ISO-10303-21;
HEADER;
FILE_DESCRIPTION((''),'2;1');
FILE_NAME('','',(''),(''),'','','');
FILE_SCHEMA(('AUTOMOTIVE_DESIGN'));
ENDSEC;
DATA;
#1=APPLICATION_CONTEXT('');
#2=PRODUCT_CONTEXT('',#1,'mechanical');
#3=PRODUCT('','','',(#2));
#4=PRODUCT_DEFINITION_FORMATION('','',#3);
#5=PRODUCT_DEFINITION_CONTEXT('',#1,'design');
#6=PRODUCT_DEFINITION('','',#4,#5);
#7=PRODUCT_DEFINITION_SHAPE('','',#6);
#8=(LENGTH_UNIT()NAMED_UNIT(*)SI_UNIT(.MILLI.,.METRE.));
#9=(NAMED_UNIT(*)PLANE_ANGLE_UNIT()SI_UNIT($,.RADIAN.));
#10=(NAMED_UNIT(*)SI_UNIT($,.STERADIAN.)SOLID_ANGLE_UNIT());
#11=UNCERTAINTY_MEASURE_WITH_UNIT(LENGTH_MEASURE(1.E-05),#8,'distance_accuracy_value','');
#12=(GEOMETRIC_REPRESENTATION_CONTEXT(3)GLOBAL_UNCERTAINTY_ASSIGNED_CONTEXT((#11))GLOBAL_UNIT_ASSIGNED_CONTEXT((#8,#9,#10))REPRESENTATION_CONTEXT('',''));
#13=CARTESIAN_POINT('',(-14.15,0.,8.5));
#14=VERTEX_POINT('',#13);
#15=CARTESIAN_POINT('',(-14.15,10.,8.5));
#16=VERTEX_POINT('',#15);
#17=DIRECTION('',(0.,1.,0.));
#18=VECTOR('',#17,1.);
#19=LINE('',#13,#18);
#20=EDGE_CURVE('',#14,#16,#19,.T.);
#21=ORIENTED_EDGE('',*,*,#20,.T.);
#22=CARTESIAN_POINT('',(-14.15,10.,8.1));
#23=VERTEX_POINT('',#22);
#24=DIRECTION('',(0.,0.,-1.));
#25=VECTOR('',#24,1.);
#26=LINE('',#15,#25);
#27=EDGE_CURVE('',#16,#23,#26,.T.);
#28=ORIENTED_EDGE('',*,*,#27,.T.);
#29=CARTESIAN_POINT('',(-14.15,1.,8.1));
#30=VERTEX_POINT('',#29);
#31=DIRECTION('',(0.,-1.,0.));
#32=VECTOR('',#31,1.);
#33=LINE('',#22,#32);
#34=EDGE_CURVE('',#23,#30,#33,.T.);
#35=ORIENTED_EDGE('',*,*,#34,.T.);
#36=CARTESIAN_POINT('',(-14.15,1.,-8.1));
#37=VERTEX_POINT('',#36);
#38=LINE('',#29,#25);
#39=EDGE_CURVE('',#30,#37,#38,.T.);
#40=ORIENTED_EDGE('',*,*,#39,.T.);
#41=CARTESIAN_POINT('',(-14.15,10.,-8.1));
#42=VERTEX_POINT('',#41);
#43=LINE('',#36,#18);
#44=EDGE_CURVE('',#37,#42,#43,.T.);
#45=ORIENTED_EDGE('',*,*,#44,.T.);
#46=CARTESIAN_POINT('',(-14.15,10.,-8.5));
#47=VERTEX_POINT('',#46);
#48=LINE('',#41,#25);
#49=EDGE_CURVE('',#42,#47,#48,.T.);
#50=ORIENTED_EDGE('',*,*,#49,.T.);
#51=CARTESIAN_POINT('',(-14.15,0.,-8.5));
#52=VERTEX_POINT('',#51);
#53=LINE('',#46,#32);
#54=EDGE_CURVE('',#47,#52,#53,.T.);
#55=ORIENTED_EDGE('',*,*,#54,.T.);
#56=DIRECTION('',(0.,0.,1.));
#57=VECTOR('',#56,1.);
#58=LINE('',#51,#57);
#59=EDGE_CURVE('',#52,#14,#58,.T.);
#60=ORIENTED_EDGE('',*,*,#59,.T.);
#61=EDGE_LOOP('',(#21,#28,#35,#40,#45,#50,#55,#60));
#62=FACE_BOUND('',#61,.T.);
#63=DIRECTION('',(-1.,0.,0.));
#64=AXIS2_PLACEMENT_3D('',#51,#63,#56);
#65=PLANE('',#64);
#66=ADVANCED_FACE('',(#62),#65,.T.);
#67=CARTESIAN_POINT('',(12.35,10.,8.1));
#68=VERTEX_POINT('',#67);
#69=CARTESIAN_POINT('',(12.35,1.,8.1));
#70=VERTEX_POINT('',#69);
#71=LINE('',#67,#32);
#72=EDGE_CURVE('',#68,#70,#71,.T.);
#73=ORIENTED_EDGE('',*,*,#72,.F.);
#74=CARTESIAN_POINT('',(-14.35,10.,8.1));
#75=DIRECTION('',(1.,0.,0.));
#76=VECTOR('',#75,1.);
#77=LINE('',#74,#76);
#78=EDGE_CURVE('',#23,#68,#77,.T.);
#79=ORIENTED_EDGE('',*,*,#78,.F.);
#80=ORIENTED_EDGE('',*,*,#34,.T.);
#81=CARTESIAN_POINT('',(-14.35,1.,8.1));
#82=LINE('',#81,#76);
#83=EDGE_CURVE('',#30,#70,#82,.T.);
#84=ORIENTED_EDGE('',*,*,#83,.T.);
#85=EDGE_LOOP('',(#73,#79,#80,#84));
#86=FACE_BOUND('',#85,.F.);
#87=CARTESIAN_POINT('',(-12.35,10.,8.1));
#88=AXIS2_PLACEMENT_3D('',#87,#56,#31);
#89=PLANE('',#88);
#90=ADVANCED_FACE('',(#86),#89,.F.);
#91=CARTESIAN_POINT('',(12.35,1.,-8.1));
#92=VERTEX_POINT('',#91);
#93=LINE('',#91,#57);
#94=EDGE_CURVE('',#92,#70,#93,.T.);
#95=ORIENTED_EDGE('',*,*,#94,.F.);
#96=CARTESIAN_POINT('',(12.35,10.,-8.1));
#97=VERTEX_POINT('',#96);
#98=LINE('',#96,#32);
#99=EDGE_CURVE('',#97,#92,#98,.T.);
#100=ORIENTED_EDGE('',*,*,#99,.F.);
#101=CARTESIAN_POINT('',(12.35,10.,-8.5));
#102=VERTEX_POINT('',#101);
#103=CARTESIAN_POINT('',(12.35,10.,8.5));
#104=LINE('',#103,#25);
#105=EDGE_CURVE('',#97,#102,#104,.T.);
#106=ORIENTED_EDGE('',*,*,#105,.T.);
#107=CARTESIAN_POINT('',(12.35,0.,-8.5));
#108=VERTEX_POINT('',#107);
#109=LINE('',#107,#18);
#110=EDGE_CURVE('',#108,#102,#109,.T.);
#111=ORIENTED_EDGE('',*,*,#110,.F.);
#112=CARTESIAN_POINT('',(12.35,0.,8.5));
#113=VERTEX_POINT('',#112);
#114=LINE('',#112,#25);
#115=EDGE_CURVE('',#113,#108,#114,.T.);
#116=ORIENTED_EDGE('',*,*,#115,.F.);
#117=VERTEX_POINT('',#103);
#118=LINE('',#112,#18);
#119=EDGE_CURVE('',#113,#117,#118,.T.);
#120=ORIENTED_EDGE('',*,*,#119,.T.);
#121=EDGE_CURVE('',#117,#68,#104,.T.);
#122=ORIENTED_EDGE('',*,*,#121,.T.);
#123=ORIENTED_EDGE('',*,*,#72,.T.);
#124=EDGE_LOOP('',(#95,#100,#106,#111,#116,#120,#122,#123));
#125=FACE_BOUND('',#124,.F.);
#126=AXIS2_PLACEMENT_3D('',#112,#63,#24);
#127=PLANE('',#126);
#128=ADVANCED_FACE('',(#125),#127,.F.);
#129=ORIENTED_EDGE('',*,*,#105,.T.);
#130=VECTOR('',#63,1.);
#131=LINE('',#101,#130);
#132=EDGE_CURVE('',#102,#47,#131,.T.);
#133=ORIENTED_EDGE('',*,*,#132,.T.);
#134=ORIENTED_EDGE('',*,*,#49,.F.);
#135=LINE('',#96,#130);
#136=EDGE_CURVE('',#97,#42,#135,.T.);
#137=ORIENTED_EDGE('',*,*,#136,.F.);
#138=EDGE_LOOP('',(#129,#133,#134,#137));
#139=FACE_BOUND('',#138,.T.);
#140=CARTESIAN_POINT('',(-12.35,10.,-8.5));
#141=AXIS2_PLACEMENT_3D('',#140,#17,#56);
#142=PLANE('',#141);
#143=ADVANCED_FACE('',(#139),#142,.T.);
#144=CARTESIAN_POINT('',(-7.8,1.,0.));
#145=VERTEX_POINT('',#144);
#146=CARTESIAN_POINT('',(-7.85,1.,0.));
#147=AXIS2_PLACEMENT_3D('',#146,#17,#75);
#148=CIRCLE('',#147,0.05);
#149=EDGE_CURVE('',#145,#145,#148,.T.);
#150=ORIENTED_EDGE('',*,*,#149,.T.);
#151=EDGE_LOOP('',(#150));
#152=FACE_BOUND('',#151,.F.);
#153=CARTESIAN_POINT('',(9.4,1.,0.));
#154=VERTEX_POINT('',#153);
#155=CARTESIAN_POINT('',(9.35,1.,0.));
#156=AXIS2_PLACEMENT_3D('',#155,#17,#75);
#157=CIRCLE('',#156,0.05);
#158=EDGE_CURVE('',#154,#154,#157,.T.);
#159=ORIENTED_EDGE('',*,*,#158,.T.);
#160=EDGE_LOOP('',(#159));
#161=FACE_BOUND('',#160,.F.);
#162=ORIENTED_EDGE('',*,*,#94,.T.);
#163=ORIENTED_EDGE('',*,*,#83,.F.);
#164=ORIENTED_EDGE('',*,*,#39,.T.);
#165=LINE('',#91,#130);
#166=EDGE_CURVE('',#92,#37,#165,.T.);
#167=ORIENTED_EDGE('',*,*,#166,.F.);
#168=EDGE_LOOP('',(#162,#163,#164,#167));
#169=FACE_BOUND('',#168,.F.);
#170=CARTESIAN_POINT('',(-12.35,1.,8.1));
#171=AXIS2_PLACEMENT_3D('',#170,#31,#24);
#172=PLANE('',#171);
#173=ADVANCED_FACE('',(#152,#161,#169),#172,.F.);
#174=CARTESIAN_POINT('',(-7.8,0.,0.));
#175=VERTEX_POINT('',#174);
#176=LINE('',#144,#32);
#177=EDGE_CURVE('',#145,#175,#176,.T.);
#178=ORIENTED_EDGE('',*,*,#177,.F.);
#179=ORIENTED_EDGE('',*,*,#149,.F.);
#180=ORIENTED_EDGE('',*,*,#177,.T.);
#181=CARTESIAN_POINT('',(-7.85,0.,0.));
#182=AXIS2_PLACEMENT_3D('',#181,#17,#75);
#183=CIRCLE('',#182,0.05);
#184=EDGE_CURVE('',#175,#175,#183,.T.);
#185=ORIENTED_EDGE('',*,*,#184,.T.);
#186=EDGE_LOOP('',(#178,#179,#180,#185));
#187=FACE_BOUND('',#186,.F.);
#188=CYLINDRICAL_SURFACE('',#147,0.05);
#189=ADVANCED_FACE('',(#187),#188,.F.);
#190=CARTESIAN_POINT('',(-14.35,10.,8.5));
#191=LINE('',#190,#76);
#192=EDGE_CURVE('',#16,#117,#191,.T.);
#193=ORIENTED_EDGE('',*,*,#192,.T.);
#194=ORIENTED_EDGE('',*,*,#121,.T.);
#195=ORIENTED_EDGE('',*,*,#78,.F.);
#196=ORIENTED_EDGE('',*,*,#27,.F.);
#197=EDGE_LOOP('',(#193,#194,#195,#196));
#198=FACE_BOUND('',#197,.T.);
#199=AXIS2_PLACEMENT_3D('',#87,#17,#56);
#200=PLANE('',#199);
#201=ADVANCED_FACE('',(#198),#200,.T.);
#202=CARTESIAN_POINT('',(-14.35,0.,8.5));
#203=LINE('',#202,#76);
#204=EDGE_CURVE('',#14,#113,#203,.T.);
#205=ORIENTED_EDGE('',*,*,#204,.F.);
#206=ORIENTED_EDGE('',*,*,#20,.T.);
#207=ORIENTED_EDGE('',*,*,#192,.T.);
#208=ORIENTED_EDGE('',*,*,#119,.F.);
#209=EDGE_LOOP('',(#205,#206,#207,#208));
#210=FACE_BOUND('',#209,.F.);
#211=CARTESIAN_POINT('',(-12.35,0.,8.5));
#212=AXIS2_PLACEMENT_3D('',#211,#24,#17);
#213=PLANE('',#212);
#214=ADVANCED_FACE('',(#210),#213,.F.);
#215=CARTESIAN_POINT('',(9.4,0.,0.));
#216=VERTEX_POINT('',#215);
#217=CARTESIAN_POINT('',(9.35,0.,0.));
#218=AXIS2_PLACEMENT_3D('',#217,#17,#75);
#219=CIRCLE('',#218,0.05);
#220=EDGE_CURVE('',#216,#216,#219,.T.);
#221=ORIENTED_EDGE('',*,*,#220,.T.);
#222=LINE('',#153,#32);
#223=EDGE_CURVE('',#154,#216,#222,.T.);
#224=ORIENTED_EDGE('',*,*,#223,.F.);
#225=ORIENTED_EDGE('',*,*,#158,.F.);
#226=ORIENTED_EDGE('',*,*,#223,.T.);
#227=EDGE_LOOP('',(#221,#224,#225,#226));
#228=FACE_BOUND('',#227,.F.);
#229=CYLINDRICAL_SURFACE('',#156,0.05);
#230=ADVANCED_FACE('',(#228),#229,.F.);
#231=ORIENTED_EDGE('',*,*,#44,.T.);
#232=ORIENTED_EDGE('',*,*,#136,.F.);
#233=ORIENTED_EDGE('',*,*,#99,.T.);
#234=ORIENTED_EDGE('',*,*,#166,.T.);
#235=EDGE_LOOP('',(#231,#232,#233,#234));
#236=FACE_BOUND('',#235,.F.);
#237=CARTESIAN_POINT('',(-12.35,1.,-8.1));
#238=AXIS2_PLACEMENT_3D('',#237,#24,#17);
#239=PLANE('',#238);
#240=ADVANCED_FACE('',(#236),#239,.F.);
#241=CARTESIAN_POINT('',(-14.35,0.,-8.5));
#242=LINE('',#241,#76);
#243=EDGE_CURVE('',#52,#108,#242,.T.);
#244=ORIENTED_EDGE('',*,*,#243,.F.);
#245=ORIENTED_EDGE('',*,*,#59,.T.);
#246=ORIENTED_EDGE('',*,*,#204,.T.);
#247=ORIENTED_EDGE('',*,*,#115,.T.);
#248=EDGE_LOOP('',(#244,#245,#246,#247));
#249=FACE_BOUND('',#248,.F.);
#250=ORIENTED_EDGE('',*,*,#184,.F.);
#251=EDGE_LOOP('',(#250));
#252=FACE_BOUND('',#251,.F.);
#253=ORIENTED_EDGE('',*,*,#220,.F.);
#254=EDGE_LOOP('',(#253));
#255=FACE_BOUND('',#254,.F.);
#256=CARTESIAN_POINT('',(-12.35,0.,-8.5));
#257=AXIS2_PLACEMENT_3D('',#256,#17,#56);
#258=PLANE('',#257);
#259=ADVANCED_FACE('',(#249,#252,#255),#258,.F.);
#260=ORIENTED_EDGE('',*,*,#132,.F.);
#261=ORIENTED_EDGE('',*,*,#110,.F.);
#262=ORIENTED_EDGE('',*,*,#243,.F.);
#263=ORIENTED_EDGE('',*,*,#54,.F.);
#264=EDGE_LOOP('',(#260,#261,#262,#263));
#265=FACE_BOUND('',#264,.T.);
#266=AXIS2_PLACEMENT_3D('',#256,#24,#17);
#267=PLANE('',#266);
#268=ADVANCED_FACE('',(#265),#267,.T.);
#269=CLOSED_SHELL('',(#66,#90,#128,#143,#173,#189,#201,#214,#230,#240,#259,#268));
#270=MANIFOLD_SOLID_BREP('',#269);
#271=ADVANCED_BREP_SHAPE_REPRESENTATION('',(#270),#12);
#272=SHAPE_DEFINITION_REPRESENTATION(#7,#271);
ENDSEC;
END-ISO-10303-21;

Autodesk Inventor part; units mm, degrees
ref_plane "YZ Plane" through (0, 0, 0) normal (1, 0, 0) x (0, 1, 0)
ref_plane "XZ Plane" through (0, 0, 0) normal (0, 1, 0) x (-1, 0, 0)
ref_plane "XY Plane" through (0, 0, 0) normal (0, 0, 1) x (1, 0, 0)
sketch "Sketch1" plane through (0, 0, 0) normal (0, 1, 0) x (-1, 0, 0)
  line L0 (12.35, 8.5) -> (-12.35, 8.5)
  line L1 (-12.35, 8.5) -> (-12.35, -8.5)
  line L2 (-12.35, -8.5) -> (12.35, -8.5)
  line L3 (12.35, -8.5) -> (12.35, 8.5)
  line L4 (12.35, 8.5) -> (-12.35, -8.5) construction
  line L5 (-12.35, 8.5) -> (12.35, -8.5) construction
  point P0 (0, 0)
  dimension "d0" = 24.7
  dimension "d1" = 17
extrude "Extrusion1" add sketch "Sketch1" along normal blind 10
sketch "Sketch2" plane through (0, 10, 0) normal (0, 1, 0) x (1, 0, 0)
  line L0 (-12.35, 8.1) -> (12.35, 8.1)
  line L1 (12.35, 8.1) -> (12.35, -8.1)
  line L2 (12.35, -8.1) -> (-12.35, -8.1)
  line L3 (-12.35, -8.1) -> (-12.35, 8.1)
  line L4 (-12.35, 8.1) -> (12.35, -8.1) construction
  line L5 (12.35, 8.1) -> (-12.35, -8.1) construction
  point P0 (0, 0)
  dimension "d4" = 24.7
  dimension "d5" = 16.2
extrude "Extrusion2" cut sketch "Sketch2" against normal blind 9
sketch "Sketch3" plane through (0, 0, 0) normal (0, -1, 0) x (1, 0, 0)
  line L0 (-12.35, -8.5) -> (-12.35, 8.5) projected
  line L1 (12.35, 8.5) -> (12.35, -8.5) projected
  line L2 (-12.35, 0) -> (-9.35, 0)
  circle A0 centre (-9.35, 0) radius 1.5
  line L3 (12.35, 0) -> (9.35, 0)
  circle A1 centre (9.35, 0) radius 1.5
  point P0 (0, 0)
  dimension "d8" = 3
  dimension "d9" = 3
  dimension "d10" = 3
  dimension "d11" = 3
extrude "Extrusion3" cut sketch "Sketch3" against normal blind 1
sketch "Sketch4" plane through (-12.35, 0, -8.5) normal (-1, 0, 0) x (0, 0, 1)
  line L0 (0.4, 1) -> (0.4, 10) projected
  line L1 (0, 10) -> (0.4, 10) projected
  line L2 (0, 0) -> (0, 10) projected
  line L3 (0, 0) -> (17, 0) projected
  line L4 (17, 0) -> (17, 10) projected
  line L5 (16.6, 10) -> (17, 10) projected
  line L6 (16.6, 10) -> (16.6, 1) projected
  line L7 (16.6, 1) -> (0.4, 1) projected
  point P0 (8.5, 0)
extrude "Extrusion4" add sketch "Sketch4" along normal blind 2
sketch "Sketch5" plane through (-14.35, 0, -8.5) normal (-1, 0, 0) x (0, 0, 1)
  line L0 (0.4, 1) -> (0.4, 10) projected
  line L1 (0.4, 10) -> (0, 10) projected
  line L2 (0, 10) -> (0, 0) projected
  line L3 (0, 0) -> (17, 0) projected
  line L4 (17, 0) -> (17, 10) projected
  line L5 (17, 10) -> (16.6, 10) projected
  line L6 (16.6, 10) -> (16.6, 1) projected
  line L7 (16.6, 1) -> (0.4, 1) projected
  point P0 (8.5, 0)
extrude "Extrusion5" cut sketch "Sketch5" against normal blind 0.2
sketch "Sketch6" plane through (0, 0, 0) normal (0, -1, 0) x (1, 0, 0)
  line L0 (-14.15, 8.5) -> (-14.15, -8.5) projected
  line L1 (-14.15, 8.5) -> (12.35, 8.5) projected
  circle A0 centre (-9.35, 0) radius 1.5 projected
  line L2 (-14.15, 0) -> (-12.15, 0)
  line L3 (-12.15, 0) -> (-10.15, 0)
  line L4 (-10.15, 0) -> (-7.15, 0)
  point P0 (0, 0)
  dimension "d18" = 2
  dimension "d19" = 2
  dimension "d20" = 3
extrude "Extrusion6" add sketch "Sketch6" against normal blind 1
sketch "Sketch7" plane through (0, 0, 0) normal (0, -1, 0) x (1, 0, 0)
  line L0 (-14.15, 8.5) -> (-14.15, -8.5) projected
  line L1 (-14.15, 8.5) -> (12.35, 8.5) projected
  line L2 (-14.15, 0) -> (-10.85, 0)
  line L3 (-10.85, 0) -> (-7.85, 0)
  circle A0 centre (-7.85, 0) radius 1.5
  point P0 (0, 0)
  dimension "d29" = 3.3
  dimension "d30" = 3
  dimension "d31" = 3
extrude "Extrusion7" cut sketch "Sketch7" against normal blind 1
sketch "Sketch8" plane through (0, 1, 0) normal (0, 1, 0) x (1, 0, 0)
  circle A0 centre (-7.85, 0) radius 1.5 projected
  circle A1 centre (9.35, 0) radius 1.5 projected
  circle A2 centre (9.35, 0) radius 0.05
  circle A3 centre (-7.85, 0) radius 0.05
  point P0 (0, 0)
  dimension "d34" = 0.1
  dimension "d35" = 0.1
extrude "Extrusion8" add sketch "Sketch8" against normal blind 1
properties part number "kolejnicka_ruka_sablona"
